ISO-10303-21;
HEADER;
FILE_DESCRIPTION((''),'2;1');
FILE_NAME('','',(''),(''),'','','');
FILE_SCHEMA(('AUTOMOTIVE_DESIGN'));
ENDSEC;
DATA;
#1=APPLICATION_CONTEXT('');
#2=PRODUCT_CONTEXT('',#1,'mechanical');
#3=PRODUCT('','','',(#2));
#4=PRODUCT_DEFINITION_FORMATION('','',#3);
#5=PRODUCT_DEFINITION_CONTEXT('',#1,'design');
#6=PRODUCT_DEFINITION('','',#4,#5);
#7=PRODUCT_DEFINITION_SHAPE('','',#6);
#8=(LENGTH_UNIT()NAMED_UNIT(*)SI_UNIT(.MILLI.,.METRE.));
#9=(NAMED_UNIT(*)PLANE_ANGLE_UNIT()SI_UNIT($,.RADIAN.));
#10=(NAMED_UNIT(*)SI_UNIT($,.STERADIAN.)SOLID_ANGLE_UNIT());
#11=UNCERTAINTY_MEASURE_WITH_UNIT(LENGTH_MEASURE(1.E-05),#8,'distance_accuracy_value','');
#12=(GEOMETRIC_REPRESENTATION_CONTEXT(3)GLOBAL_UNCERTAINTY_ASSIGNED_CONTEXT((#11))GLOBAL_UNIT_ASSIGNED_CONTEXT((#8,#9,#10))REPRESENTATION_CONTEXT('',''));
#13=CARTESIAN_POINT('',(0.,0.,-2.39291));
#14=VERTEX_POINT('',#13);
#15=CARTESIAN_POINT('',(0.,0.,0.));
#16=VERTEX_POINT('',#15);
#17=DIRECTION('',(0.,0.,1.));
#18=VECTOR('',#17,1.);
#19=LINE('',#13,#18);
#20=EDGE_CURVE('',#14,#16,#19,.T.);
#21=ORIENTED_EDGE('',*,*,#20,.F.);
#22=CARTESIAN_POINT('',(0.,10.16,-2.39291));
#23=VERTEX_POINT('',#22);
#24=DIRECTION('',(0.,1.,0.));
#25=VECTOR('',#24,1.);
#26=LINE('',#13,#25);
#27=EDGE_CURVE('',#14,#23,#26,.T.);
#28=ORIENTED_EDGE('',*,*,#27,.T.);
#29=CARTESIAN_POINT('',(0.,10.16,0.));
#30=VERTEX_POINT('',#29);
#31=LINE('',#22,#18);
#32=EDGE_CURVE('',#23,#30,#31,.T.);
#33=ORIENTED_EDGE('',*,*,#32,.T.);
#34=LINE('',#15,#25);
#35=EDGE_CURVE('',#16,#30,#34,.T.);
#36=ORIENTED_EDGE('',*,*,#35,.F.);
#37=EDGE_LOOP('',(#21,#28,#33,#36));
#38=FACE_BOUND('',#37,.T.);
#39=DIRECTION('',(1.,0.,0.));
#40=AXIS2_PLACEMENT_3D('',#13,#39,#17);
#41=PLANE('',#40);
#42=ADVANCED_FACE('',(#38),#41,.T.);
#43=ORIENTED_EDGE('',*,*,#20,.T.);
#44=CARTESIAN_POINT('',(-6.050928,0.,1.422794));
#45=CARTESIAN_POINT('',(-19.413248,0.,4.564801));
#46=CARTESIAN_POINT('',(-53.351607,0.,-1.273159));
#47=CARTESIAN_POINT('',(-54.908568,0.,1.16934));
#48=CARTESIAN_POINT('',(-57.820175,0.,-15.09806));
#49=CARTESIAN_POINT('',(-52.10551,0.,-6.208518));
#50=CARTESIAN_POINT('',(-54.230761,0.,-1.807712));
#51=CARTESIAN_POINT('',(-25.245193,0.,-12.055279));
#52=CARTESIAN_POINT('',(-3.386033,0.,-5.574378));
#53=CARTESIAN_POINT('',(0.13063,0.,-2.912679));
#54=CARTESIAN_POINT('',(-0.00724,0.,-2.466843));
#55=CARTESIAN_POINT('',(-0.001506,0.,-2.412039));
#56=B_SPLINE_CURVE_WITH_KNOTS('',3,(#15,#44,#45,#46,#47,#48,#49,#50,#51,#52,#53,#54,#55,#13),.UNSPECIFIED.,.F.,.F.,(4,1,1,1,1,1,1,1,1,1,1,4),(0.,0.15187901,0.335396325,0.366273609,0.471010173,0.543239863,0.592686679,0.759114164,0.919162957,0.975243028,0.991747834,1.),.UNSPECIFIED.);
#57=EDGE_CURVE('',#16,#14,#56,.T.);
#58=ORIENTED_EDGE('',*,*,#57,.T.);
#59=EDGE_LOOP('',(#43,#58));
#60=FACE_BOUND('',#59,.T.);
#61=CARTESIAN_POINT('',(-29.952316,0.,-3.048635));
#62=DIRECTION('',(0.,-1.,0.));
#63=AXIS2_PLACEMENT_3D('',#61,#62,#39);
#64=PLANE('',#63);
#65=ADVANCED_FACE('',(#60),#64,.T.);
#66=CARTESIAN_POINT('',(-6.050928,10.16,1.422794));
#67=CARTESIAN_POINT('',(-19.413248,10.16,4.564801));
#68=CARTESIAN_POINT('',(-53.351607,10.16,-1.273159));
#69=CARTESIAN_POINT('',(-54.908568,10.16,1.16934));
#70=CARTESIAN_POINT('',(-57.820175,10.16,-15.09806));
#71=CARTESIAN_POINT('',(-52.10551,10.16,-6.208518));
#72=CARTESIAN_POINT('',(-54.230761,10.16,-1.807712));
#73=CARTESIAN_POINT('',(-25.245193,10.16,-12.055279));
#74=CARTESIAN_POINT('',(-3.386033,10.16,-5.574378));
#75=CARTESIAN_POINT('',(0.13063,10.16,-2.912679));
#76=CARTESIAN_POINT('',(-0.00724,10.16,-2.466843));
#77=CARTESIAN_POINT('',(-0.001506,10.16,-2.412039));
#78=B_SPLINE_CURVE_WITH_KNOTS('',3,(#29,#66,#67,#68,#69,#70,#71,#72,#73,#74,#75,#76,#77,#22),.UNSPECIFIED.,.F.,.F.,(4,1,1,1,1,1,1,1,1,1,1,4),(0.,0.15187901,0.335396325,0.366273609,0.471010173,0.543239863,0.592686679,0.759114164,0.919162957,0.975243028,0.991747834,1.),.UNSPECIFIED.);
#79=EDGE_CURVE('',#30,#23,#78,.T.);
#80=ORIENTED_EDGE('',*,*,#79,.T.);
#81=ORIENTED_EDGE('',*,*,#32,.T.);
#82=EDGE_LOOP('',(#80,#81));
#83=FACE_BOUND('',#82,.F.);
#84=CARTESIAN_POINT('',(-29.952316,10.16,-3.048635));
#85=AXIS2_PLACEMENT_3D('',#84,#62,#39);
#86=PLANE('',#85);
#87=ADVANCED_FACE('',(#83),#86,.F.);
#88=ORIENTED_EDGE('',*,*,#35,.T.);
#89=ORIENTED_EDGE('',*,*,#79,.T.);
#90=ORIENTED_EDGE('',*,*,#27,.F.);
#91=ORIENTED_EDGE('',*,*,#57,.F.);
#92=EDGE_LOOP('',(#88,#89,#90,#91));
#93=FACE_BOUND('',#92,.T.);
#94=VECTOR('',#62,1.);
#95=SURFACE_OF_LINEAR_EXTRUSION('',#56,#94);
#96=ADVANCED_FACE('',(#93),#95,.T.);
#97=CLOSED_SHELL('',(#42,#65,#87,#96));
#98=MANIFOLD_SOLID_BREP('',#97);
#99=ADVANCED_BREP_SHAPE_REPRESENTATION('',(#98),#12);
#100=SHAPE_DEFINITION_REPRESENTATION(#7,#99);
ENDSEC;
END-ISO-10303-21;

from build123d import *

# Parameters (mm, degrees)
F1_DEPTH = 10.16


with BuildPart() as f1:
    # F0 (on Front) → F1 (new body)
    with BuildSketch(Plane.XZ):
        with BuildLine():
            Line((0, -2.3929104209), (0, 0))
            add(Edge.make_bspline(
                [(0, 0), (-6.0509277076, 1.4227937849), (-19.4132482348, 4.5648006514), (-53.3516074354, -1.273159087), (-54.9085678309, 1.1693404255), (-57.8201754865, -15.0980604385), (-52.1055098203, -6.2085176135), (-54.2307609941, -1.8077116515), (-25.2451931751, -12.0552794835), (-3.3860327388, -5.5743776251), (0.1306303921, -2.912678926), (-0.0072399185, -2.4668429017), (-0.0015057701, -2.412039472), (0, -2.3929104209)],
                knots=[0, 0, 0, 0, 0.1518790099, 0.3353963246, 0.3662736086, 0.4710101729, 0.5432398626, 0.5926866792, 0.7591141635, 0.9191629568, 0.9752430284, 0.9917478344, 1, 1, 1, 1], degree=3))
        make_face()
    extrude(amount=-F1_DEPTH)


solid = f1.part
